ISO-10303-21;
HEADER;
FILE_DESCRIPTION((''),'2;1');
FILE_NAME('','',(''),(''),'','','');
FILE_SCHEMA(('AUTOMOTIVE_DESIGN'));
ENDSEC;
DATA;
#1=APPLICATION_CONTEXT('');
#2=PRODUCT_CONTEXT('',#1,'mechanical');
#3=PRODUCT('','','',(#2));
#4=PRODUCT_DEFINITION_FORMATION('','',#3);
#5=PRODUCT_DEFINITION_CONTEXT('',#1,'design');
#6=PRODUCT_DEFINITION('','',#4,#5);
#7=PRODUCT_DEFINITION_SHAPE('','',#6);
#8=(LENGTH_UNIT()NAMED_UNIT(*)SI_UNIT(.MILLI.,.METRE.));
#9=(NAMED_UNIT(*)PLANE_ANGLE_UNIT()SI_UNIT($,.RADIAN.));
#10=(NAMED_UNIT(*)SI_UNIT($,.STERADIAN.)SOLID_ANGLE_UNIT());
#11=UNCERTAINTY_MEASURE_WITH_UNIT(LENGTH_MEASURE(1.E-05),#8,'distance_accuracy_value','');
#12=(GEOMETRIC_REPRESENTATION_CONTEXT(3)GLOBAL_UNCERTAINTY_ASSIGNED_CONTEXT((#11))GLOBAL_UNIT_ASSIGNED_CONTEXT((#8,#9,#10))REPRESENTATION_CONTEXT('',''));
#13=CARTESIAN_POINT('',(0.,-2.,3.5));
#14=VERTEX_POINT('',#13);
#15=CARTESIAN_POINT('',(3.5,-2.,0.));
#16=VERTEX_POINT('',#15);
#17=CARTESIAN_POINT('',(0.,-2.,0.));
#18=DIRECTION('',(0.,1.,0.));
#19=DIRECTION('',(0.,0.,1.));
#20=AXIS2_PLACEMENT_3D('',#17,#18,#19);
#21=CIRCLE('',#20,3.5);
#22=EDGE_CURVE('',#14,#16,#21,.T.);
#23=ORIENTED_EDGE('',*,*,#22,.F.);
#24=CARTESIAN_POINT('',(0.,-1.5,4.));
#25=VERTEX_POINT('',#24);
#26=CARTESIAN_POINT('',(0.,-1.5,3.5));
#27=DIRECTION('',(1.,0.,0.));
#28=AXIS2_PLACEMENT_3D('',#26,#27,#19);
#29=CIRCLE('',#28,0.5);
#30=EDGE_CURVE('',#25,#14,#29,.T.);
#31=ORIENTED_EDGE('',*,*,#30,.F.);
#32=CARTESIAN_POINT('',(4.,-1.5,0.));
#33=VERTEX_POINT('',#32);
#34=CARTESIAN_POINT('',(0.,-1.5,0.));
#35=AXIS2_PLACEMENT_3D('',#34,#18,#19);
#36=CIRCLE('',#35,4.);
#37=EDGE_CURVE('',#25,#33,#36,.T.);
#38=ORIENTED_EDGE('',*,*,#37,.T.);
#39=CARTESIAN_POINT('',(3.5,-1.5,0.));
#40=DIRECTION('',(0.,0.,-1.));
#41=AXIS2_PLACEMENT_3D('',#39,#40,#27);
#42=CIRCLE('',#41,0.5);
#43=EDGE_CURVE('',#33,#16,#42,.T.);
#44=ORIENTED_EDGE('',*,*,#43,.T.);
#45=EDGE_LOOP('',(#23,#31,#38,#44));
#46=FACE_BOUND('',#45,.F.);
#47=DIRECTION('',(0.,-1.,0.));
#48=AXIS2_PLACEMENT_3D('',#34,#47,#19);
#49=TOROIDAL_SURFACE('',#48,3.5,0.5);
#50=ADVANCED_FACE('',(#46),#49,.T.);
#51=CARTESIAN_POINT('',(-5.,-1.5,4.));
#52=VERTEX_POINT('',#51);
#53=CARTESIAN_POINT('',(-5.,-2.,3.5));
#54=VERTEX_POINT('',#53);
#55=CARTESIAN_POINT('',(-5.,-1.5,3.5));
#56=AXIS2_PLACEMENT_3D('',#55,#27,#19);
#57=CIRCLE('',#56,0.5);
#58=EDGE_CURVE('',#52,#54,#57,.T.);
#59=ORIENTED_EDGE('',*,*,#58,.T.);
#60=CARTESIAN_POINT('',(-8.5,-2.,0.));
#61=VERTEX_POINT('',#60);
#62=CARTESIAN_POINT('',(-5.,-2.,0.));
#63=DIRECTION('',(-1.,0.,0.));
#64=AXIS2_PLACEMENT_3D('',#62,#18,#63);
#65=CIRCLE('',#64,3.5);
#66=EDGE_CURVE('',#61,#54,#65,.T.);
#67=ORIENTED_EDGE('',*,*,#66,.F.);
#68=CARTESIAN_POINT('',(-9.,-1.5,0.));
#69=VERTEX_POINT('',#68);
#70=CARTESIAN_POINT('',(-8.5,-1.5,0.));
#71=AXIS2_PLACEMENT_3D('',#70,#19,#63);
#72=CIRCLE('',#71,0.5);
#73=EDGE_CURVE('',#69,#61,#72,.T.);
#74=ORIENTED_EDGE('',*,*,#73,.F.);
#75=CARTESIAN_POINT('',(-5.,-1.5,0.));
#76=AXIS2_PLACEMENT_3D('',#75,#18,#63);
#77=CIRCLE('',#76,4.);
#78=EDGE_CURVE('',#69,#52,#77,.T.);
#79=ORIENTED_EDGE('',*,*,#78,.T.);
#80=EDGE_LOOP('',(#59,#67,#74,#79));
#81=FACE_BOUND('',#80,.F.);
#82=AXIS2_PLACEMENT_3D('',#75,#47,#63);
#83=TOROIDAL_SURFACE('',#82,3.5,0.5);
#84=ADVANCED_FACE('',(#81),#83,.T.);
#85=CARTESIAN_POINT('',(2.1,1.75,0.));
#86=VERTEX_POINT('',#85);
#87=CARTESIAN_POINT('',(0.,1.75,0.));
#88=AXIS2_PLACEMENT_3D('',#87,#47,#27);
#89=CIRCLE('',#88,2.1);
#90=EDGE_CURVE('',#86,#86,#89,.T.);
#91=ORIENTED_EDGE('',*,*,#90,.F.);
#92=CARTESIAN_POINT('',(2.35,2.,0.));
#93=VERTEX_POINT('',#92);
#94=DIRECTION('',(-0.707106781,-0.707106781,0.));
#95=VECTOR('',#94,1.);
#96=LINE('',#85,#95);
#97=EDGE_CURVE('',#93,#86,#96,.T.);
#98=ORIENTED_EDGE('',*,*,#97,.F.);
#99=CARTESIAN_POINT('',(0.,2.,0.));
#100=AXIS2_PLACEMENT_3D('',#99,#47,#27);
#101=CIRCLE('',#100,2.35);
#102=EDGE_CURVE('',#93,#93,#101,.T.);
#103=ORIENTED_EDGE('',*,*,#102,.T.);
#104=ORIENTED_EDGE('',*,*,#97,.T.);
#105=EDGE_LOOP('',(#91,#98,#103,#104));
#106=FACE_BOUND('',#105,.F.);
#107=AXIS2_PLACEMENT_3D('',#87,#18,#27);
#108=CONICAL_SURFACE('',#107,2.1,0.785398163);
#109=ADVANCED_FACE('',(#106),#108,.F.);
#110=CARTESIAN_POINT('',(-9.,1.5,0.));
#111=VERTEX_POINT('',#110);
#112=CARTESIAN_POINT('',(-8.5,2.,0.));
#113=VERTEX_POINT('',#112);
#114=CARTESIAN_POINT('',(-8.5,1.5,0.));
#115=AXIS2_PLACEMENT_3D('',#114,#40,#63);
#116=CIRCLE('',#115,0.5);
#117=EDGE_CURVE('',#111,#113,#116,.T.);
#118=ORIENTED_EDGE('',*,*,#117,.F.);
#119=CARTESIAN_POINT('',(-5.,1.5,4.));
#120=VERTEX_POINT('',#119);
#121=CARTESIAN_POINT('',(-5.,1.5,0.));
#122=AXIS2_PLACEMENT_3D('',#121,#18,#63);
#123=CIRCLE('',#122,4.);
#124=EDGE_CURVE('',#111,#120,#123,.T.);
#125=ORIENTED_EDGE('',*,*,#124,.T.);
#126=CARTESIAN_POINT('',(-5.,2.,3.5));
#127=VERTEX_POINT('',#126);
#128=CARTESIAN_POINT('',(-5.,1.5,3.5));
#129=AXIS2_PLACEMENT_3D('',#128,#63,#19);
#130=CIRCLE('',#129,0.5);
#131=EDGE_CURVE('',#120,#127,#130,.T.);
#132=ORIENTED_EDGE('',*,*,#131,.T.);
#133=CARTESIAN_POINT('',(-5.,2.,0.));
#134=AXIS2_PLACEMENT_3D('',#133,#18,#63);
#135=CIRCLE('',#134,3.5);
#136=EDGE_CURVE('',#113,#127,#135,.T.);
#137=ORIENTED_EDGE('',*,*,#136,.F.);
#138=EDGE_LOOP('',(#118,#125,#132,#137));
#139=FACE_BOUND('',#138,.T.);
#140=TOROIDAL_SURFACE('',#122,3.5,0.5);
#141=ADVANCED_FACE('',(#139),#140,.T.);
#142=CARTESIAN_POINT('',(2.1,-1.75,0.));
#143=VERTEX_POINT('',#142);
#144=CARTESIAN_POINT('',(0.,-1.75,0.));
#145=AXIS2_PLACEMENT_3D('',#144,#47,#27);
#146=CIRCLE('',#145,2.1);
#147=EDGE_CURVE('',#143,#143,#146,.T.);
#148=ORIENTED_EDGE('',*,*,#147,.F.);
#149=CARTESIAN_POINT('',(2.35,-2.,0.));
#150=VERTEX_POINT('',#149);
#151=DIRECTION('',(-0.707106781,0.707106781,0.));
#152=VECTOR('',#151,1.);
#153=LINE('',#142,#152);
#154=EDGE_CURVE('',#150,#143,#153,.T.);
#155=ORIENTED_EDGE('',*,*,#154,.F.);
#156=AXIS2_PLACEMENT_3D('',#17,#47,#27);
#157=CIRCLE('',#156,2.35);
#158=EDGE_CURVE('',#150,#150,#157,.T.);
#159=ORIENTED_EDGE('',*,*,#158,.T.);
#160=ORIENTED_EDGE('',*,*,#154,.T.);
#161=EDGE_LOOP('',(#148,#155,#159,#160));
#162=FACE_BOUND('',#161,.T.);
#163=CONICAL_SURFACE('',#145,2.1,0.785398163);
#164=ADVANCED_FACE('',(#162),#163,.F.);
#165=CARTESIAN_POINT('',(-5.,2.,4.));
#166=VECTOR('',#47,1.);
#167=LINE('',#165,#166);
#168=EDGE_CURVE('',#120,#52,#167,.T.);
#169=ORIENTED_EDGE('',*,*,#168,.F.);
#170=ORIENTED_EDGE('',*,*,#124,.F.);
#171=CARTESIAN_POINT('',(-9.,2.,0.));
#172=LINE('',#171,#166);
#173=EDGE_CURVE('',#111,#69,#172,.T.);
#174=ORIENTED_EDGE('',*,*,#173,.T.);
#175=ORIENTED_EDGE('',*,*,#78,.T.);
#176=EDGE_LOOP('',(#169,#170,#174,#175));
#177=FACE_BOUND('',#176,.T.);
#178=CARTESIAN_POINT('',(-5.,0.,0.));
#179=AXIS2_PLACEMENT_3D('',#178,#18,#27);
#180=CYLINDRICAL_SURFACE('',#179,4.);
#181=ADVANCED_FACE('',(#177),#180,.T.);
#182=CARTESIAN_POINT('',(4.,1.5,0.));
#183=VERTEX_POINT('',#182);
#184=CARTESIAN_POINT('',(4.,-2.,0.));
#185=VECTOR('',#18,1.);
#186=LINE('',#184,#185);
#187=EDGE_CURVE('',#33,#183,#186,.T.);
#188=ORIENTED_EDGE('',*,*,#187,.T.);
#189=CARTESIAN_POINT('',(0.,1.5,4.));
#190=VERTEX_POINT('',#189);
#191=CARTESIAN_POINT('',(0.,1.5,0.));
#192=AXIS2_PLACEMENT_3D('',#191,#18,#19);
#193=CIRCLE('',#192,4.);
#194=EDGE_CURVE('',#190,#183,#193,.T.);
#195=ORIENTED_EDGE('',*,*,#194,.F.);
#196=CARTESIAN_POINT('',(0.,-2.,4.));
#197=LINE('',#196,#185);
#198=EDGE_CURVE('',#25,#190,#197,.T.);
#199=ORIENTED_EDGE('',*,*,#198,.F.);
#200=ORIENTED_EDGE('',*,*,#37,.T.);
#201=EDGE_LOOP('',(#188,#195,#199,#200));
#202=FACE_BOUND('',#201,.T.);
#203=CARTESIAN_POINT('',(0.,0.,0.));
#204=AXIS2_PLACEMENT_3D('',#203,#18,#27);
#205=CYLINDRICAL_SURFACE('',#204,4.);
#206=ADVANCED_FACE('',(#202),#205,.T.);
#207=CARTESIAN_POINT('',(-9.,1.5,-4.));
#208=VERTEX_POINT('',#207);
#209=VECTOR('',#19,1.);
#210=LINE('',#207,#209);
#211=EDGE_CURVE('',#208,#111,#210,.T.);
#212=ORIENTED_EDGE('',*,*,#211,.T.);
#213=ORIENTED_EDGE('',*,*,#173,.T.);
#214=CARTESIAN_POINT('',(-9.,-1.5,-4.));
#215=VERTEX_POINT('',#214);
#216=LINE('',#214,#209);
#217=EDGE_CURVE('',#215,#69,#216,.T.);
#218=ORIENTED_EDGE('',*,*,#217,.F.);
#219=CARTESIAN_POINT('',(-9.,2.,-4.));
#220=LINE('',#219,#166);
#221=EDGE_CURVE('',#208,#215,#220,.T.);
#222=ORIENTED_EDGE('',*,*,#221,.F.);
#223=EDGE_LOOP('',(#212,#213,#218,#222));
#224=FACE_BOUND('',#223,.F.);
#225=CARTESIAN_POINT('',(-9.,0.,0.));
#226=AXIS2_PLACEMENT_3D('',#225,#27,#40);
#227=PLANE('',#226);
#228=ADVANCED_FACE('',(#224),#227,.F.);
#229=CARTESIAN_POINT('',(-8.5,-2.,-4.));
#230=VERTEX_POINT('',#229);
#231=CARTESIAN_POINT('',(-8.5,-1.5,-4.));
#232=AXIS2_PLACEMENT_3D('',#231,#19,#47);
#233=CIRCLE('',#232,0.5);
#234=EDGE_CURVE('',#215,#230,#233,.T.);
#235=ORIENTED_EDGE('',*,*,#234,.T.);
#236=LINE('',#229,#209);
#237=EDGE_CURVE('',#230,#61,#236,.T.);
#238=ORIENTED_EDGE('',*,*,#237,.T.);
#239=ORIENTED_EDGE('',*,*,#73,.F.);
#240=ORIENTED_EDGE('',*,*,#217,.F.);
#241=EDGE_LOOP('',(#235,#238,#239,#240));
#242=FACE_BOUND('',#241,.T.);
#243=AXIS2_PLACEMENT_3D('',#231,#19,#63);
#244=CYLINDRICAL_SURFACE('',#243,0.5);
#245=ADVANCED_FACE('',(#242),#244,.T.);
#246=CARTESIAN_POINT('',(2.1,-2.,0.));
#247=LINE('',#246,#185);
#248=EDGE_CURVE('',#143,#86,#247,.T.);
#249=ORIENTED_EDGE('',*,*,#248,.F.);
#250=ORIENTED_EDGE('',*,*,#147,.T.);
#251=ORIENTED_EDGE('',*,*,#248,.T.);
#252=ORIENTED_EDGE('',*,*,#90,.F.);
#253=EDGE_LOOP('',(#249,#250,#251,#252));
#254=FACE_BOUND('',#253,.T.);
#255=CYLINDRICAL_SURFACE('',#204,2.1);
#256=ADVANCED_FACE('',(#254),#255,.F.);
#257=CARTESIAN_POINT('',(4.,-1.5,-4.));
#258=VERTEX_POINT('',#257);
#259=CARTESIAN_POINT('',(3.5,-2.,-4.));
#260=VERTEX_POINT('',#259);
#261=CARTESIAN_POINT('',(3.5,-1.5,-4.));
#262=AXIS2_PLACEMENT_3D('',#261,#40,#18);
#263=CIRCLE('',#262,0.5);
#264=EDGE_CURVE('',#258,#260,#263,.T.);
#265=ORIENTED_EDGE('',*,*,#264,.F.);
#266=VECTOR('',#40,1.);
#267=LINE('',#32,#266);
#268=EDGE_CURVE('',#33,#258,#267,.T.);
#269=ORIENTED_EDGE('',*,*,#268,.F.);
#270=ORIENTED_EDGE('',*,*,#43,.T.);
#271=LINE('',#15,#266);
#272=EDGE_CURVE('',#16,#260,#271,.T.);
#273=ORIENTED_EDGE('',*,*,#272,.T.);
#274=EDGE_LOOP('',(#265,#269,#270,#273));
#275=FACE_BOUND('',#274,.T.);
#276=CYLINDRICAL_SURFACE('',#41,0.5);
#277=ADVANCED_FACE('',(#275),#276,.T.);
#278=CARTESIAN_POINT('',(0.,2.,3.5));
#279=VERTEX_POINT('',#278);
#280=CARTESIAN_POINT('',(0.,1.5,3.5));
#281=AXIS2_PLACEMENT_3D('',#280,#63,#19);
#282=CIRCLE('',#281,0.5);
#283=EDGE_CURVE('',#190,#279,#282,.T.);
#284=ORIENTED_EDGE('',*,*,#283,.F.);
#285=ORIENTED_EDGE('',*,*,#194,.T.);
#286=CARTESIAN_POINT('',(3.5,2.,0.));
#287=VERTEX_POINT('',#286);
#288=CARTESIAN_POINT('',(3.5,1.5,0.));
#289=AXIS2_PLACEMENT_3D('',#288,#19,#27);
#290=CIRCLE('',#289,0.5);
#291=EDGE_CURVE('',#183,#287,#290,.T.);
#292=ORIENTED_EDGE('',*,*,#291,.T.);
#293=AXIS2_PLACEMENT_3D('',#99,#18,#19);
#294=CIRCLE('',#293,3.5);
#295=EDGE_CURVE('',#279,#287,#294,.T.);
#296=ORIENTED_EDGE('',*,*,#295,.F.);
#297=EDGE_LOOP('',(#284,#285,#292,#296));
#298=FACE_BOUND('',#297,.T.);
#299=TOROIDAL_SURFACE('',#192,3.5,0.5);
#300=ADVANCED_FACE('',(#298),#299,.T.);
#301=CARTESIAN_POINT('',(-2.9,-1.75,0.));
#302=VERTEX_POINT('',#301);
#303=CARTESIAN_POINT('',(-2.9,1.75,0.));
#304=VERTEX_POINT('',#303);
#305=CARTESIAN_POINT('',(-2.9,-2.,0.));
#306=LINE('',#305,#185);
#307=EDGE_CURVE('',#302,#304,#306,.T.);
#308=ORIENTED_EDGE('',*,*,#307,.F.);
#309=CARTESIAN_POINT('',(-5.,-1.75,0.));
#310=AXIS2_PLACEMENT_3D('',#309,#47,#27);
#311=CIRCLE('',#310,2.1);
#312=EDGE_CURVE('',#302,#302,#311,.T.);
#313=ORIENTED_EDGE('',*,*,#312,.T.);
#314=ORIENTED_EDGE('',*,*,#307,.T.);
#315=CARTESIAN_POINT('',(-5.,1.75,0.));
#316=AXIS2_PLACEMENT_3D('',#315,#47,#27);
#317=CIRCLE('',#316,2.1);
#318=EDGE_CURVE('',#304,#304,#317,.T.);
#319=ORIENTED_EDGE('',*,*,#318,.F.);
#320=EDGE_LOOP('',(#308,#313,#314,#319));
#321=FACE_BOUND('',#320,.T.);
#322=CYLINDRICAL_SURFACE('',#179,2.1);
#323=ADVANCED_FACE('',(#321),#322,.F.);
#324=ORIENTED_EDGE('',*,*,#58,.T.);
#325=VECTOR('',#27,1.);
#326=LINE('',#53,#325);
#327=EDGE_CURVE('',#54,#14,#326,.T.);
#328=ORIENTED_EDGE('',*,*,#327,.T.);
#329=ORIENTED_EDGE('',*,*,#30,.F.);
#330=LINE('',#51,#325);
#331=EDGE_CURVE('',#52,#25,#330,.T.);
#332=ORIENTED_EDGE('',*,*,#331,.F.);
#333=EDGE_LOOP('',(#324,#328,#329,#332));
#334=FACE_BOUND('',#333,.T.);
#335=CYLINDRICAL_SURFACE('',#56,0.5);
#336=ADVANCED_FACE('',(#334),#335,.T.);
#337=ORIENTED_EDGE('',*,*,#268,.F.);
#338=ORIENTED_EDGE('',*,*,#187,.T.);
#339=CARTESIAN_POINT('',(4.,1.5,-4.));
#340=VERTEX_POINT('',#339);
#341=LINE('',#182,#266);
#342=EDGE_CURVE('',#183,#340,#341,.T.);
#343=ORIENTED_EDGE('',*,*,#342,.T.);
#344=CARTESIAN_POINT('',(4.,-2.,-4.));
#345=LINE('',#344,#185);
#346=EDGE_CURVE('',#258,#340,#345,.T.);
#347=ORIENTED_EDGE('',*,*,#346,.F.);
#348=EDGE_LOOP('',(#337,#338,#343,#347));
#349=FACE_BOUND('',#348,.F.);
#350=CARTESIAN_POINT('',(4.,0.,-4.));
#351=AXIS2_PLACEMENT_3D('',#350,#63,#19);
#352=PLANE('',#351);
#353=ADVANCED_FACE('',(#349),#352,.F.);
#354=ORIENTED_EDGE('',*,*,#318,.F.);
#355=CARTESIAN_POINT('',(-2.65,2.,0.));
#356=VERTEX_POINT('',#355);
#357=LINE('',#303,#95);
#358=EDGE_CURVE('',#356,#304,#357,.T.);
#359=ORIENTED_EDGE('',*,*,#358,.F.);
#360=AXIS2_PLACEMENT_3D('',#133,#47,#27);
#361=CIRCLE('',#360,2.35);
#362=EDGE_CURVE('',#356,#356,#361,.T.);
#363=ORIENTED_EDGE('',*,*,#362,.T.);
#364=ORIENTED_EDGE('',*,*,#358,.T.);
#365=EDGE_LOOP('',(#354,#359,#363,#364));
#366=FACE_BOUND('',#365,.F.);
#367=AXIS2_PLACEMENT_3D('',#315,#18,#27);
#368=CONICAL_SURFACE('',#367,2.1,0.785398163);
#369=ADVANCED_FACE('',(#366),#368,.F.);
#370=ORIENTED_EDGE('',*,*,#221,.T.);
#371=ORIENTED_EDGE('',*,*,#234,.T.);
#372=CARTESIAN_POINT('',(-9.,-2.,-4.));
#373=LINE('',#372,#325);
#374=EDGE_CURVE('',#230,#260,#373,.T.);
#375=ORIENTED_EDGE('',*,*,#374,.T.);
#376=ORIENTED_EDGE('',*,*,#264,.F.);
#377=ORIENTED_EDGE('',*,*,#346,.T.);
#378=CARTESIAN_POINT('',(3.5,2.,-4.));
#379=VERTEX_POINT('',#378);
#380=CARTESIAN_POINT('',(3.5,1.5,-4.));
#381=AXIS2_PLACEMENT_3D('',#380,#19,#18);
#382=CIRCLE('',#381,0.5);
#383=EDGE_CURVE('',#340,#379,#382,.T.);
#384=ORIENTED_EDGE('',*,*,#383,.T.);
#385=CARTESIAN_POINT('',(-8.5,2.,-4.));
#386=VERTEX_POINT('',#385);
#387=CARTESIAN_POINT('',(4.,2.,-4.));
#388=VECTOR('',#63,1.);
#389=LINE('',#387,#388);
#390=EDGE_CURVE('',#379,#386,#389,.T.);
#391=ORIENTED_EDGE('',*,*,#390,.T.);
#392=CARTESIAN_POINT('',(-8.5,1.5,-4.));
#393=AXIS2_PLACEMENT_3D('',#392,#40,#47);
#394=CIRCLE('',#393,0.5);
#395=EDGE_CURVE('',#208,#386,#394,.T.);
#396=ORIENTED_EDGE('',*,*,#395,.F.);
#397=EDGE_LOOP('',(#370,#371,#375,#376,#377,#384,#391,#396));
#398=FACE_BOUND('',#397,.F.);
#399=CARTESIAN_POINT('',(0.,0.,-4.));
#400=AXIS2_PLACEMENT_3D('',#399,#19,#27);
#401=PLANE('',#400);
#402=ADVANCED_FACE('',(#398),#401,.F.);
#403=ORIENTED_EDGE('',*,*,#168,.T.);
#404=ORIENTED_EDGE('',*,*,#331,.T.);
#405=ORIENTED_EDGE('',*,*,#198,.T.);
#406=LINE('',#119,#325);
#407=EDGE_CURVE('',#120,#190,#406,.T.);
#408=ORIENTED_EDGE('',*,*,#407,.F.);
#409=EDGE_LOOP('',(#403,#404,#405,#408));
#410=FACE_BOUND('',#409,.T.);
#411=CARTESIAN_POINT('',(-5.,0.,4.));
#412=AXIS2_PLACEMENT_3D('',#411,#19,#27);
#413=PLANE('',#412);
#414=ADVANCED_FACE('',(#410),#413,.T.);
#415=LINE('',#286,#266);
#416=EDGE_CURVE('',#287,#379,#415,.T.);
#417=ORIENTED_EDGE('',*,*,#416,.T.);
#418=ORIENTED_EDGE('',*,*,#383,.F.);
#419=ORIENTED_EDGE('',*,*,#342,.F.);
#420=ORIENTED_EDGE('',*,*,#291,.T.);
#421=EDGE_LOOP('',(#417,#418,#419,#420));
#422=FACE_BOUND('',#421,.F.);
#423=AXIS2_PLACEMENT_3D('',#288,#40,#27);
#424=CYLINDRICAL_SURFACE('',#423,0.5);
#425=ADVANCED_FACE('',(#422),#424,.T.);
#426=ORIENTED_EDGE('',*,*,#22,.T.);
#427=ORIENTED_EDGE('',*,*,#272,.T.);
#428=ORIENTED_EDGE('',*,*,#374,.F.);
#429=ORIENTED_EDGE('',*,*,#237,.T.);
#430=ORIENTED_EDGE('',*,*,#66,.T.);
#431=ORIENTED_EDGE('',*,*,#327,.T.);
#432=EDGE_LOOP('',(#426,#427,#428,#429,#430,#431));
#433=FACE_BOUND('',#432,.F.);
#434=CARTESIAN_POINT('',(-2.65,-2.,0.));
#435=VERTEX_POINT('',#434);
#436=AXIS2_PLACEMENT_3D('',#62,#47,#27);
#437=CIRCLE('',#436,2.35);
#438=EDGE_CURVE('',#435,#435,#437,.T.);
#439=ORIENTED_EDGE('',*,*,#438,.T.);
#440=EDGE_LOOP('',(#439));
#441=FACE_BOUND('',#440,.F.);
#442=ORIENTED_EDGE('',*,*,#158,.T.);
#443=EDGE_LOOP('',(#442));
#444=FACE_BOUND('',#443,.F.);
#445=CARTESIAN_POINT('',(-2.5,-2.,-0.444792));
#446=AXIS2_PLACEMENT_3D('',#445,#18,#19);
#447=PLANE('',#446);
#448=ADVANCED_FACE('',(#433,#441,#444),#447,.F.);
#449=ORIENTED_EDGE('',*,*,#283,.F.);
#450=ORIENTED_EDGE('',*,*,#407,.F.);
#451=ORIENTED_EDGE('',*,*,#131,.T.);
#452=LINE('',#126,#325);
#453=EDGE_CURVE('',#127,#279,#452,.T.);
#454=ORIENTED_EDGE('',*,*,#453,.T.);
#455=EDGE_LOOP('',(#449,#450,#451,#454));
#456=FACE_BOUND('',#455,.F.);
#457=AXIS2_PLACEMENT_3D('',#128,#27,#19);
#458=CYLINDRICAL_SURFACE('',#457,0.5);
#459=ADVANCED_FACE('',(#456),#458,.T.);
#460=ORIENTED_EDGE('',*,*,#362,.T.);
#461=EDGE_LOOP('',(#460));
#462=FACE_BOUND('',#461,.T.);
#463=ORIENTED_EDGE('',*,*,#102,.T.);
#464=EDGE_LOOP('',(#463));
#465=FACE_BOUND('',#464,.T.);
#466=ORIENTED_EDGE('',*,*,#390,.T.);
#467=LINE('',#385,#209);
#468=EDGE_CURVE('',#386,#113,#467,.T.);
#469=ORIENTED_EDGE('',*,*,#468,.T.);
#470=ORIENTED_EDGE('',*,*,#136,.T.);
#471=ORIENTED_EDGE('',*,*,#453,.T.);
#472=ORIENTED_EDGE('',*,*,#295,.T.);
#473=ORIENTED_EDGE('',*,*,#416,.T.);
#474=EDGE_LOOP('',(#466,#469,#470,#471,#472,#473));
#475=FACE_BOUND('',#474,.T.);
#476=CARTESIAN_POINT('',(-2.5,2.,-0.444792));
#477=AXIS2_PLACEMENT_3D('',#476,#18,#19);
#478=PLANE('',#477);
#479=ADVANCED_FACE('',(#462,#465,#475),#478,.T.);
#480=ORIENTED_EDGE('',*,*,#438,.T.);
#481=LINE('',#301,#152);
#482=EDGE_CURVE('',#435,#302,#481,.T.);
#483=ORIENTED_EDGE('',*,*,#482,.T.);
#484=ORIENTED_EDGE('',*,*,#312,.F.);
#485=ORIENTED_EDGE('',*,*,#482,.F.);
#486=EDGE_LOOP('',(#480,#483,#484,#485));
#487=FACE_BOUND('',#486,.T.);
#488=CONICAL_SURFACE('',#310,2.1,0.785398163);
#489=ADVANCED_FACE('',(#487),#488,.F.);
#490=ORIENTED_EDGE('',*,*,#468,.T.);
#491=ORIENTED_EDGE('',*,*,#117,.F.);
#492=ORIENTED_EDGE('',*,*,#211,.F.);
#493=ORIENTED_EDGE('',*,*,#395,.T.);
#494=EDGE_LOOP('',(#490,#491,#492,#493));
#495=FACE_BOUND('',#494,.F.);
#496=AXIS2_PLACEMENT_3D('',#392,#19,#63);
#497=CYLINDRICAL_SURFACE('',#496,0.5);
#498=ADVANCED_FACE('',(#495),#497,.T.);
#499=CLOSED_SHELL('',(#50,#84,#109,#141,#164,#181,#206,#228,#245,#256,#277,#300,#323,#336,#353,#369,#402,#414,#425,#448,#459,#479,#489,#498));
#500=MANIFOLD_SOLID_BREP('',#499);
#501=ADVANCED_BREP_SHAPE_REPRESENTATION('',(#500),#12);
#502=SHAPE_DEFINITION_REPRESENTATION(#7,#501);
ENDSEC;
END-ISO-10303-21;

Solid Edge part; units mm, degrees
sketch "Sketch1" plane through (0, 0, 0) normal (0, -1, 0) x (1, 0, 0)
  circle A0 centre (0, 0) radius 2.1
  circle A1 centre (-5, 0) radius 2.1
  line L0 (-5, 4) -> (0, 4)
  line L1 (4, -4) -> (4, 0)
  line L2 (0, -4) -> (4, -4)
  line L3 (-5, -4) -> (0, -4)
  line L4 (-9, -4) -> (-5, -4)
  line L5 (-9, 0) -> (-9, -4)
  arc A2 (-9, 0) -> (-5, 4) centre (-5, 0) cw
  arc A3 (0, 4) -> (4, 0) centre (0, 0) cw
extrude "Protrusion1" add sketch "Sketch1" along normal mid plane 4
fillet "Verrundung_1" radius 0.5 10 edges at (-2.5, -2, 4) (2.8284, -2, 2.8284) (4, -2, -2) (-7.8284, -2, 2.8284) (-9, -2, -2) (2.8284, 2, 2.8284) (4, 2, -2) (-2.5, 2, 4) (-7.8284, 2, 2.8284) (-9, 2, -2)
chamfer "Fase_1" distance 0.25 angle 45 4 edges at (-7.1, -2, 0) (-7.1, 2, 0) (-2.1, -2, 0) (-2.1, 2, 0)
properties part number "086" material "PLA"
